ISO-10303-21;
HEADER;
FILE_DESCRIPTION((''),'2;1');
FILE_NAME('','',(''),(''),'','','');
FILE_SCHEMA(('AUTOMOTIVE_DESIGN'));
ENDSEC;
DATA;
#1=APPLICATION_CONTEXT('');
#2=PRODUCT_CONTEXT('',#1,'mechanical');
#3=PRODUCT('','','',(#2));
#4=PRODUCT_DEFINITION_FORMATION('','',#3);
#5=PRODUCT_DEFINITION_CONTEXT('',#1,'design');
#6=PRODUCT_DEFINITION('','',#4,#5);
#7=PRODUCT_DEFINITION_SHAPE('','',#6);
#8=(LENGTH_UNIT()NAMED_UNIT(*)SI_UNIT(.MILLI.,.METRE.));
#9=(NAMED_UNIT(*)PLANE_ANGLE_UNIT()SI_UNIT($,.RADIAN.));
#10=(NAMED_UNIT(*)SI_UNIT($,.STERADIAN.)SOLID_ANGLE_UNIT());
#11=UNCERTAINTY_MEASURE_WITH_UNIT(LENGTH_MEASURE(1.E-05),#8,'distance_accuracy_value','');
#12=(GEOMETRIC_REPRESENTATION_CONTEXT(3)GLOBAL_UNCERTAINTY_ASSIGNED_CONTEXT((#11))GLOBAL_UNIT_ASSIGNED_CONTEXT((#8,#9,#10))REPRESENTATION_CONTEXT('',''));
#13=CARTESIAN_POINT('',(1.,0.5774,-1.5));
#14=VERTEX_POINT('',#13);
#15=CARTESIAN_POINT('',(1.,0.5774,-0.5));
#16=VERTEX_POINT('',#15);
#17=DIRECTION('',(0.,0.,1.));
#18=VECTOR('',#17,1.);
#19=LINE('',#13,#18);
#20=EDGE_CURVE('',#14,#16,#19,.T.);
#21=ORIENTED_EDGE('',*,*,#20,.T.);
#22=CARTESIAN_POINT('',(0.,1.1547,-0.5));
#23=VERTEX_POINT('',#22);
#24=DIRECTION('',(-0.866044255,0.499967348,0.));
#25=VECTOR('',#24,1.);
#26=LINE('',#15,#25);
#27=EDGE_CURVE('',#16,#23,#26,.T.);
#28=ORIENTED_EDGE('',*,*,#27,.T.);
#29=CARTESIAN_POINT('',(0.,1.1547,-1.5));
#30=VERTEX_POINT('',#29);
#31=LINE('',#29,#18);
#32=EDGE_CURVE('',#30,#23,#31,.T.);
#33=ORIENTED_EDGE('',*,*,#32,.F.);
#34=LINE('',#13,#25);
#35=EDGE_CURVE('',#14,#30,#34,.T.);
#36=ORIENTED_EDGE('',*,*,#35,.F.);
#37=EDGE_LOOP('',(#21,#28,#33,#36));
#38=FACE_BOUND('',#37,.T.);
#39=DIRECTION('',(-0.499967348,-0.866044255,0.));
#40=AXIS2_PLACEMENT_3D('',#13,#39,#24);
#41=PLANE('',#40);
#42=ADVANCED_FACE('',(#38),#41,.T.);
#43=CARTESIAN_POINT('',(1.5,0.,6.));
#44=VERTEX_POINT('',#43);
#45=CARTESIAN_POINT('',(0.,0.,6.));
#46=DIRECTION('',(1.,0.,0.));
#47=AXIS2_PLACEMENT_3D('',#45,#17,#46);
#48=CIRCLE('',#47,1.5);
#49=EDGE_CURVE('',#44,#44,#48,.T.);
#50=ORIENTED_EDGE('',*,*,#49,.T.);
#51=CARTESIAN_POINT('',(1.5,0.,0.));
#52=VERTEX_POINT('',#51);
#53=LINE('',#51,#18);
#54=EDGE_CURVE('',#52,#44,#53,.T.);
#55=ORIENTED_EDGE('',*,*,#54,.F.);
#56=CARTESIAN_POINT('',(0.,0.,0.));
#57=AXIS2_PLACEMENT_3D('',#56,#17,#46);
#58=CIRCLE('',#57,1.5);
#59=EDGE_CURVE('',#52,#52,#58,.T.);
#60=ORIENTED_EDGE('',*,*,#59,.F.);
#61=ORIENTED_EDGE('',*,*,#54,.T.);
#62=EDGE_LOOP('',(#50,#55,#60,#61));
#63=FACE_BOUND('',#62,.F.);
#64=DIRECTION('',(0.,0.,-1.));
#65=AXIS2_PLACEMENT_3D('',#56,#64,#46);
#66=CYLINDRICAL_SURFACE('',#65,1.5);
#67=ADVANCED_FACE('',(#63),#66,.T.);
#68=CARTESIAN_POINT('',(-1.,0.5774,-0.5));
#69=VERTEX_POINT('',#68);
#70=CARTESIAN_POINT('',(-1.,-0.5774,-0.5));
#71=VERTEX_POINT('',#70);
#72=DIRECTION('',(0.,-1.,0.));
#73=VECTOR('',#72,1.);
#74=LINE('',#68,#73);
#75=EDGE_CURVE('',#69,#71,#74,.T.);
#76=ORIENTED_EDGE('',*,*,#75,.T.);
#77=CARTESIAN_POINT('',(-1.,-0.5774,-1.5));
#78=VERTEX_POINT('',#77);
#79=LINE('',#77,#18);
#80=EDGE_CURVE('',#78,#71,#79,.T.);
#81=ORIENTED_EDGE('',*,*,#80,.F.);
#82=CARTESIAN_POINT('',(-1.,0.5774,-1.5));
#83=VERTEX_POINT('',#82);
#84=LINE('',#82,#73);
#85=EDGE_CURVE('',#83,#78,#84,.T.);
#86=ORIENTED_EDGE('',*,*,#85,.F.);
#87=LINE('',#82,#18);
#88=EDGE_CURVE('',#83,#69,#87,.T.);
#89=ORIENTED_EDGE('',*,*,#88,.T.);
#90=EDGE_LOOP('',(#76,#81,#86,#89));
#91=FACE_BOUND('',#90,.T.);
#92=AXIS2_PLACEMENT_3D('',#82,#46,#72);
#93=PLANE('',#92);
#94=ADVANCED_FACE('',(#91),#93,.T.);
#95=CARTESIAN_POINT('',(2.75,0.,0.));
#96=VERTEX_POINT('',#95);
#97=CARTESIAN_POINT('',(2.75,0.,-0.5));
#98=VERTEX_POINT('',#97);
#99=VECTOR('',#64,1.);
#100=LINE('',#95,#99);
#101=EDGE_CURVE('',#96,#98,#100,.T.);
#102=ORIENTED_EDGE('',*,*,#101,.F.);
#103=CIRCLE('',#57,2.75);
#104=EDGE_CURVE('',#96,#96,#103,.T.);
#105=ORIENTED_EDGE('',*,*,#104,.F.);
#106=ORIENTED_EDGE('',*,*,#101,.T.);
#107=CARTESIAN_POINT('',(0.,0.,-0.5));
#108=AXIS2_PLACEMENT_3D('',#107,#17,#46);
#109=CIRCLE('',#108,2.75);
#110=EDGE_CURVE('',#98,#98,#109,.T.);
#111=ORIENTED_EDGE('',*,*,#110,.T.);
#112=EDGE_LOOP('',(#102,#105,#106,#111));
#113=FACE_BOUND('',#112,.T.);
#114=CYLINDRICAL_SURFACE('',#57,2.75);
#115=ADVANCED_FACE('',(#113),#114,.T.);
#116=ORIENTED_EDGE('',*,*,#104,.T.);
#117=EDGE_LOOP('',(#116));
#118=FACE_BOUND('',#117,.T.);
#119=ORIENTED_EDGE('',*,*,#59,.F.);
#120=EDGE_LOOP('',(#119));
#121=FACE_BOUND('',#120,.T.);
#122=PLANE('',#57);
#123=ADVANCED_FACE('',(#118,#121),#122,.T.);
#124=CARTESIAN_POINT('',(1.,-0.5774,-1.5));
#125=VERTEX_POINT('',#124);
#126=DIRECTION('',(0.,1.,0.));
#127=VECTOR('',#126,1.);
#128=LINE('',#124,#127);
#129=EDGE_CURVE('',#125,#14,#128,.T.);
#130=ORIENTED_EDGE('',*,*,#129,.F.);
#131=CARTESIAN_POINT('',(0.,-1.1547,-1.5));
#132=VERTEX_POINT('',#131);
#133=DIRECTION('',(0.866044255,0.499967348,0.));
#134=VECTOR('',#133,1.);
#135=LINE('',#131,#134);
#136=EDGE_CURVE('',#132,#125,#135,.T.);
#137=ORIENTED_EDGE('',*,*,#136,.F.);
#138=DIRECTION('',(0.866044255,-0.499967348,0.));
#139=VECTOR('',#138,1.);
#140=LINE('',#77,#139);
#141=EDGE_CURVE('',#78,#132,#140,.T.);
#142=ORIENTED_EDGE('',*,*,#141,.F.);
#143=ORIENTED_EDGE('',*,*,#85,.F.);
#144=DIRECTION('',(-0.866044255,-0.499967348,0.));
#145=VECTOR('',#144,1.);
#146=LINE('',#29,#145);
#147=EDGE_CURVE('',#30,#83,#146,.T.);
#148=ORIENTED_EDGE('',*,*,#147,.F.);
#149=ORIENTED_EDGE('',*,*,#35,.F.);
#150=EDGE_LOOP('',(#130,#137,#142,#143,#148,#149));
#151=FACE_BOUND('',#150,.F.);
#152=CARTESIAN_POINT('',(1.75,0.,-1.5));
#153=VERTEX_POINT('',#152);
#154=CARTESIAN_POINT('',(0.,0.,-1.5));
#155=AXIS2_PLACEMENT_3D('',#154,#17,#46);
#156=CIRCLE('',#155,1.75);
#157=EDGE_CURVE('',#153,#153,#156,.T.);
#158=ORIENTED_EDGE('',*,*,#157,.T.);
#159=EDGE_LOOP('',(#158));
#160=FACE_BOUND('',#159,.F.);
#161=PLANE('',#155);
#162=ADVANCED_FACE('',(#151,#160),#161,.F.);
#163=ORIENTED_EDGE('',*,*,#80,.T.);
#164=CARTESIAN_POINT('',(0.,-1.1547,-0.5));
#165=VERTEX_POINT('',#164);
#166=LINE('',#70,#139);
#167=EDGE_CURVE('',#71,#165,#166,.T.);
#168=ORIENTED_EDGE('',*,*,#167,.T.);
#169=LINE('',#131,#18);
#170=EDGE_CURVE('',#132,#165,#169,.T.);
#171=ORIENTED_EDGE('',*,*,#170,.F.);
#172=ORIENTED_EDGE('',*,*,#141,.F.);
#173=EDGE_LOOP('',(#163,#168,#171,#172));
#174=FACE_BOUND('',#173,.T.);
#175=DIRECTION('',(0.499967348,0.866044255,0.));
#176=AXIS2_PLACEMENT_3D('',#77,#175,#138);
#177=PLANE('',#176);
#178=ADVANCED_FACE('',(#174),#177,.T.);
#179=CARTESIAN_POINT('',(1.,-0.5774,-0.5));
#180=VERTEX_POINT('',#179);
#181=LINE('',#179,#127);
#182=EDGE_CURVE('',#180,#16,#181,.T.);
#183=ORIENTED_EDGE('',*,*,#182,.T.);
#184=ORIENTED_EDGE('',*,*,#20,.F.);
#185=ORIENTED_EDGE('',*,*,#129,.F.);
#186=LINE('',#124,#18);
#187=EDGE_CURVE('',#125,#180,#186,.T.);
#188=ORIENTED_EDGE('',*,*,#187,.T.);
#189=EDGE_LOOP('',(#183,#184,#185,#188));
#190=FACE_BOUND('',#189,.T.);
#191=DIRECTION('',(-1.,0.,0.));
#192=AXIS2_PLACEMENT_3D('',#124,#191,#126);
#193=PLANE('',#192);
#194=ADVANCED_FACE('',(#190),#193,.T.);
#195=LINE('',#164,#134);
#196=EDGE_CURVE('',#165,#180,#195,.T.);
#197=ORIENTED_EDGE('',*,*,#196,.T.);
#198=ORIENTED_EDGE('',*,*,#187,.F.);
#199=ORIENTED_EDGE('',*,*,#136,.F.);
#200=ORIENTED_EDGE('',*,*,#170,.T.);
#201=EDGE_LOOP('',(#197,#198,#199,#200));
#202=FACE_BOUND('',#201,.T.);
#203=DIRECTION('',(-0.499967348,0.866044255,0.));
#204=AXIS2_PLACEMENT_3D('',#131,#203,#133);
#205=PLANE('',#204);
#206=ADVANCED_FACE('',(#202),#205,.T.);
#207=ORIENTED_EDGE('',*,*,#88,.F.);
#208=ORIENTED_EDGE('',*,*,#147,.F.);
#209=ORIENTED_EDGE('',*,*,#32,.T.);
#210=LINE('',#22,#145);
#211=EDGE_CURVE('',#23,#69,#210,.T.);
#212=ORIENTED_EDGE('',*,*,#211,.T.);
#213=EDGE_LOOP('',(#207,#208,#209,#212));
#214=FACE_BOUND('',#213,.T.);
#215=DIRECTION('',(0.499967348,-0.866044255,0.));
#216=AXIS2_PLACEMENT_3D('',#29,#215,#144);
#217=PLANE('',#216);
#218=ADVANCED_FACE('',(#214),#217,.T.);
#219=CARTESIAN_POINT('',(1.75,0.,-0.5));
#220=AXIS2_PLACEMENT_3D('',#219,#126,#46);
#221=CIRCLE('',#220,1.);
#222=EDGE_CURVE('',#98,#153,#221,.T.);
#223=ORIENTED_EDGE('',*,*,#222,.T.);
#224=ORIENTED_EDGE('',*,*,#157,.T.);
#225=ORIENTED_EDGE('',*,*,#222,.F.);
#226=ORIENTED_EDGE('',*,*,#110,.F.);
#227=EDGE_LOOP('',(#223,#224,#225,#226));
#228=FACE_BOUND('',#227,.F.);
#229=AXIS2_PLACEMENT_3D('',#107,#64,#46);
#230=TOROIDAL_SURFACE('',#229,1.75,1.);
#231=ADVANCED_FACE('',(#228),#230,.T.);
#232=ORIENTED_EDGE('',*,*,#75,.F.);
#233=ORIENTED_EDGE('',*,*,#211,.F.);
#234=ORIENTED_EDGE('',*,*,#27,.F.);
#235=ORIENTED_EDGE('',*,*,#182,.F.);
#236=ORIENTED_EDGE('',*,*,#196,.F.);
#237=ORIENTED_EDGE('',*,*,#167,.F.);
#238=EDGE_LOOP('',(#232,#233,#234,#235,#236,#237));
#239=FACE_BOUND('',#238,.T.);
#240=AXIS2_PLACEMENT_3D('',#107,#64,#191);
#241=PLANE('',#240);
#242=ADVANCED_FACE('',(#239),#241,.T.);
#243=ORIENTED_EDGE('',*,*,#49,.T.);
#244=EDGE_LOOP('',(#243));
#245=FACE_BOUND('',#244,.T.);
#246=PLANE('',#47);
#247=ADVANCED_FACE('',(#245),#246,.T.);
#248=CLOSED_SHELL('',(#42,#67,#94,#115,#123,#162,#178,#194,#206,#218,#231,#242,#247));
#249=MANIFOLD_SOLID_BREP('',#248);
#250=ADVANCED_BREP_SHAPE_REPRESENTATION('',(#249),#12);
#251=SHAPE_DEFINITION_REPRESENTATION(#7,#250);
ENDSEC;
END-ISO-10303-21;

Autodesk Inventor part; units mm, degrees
ref_plane "YZ Plane" through (0, 0, 0) normal (1, 0, 0) x (0, 1, 0)
ref_plane "XZ Plane" through (0, 0, 0) normal (0, 1, 0) x (-1, 0, 0)
ref_plane "XY Plane" through (0, 0, 0) normal (0, 0, 1) x (1, 0, 0)
sketch "Эскиз1" plane through (0, 0, 0) normal (0, 0, 1) x (1, 0, 0)
  circle A0 centre (0, 0) radius 1.5
  circle A1 centre (0, 0) radius 2.75
  dimension "d0" = 5.5
  dimension "d1" = 3
extrude "Выдавливание1" add sketch "Эскиз1" along normal blind 6 contours A0
extrude "Выдавливание2" add sketch "Эскиз1" against normal blind 1.5 contours A0 | A1
thread "Резьба1" size "M3x0.5" class "6g" standard "ISO Metric profile" full length
sketch "Эскиз2" plane through (0, 0, -1.5) normal (0, 0, -1) x (-1, 0, 0)
  line L0 (0, 1.1547) -> (1, 0.5774)
  line L1 (1, 0.5774) -> (1, -0.5774)
  line L2 (1, -0.5774) -> (0, -1.1547)
  line L3 (0, -1.1547) -> (-1, -0.5774)
  line L4 (-1, -0.5774) -> (-1, 0.5774)
  line L5 (-1, 0.5774) -> (0, 1.1547)
  point P0 (0, 0)
  point P1 (0, 0)
  dimension "d8" = 2
extrude "Выдавливание3" cut sketch "Эскиз2" against normal blind 1
fillet "Сопряжение1" radius 1 1 edges at (-2.75, 0, -1.5)
properties part number "Болт М3 6 мм"
